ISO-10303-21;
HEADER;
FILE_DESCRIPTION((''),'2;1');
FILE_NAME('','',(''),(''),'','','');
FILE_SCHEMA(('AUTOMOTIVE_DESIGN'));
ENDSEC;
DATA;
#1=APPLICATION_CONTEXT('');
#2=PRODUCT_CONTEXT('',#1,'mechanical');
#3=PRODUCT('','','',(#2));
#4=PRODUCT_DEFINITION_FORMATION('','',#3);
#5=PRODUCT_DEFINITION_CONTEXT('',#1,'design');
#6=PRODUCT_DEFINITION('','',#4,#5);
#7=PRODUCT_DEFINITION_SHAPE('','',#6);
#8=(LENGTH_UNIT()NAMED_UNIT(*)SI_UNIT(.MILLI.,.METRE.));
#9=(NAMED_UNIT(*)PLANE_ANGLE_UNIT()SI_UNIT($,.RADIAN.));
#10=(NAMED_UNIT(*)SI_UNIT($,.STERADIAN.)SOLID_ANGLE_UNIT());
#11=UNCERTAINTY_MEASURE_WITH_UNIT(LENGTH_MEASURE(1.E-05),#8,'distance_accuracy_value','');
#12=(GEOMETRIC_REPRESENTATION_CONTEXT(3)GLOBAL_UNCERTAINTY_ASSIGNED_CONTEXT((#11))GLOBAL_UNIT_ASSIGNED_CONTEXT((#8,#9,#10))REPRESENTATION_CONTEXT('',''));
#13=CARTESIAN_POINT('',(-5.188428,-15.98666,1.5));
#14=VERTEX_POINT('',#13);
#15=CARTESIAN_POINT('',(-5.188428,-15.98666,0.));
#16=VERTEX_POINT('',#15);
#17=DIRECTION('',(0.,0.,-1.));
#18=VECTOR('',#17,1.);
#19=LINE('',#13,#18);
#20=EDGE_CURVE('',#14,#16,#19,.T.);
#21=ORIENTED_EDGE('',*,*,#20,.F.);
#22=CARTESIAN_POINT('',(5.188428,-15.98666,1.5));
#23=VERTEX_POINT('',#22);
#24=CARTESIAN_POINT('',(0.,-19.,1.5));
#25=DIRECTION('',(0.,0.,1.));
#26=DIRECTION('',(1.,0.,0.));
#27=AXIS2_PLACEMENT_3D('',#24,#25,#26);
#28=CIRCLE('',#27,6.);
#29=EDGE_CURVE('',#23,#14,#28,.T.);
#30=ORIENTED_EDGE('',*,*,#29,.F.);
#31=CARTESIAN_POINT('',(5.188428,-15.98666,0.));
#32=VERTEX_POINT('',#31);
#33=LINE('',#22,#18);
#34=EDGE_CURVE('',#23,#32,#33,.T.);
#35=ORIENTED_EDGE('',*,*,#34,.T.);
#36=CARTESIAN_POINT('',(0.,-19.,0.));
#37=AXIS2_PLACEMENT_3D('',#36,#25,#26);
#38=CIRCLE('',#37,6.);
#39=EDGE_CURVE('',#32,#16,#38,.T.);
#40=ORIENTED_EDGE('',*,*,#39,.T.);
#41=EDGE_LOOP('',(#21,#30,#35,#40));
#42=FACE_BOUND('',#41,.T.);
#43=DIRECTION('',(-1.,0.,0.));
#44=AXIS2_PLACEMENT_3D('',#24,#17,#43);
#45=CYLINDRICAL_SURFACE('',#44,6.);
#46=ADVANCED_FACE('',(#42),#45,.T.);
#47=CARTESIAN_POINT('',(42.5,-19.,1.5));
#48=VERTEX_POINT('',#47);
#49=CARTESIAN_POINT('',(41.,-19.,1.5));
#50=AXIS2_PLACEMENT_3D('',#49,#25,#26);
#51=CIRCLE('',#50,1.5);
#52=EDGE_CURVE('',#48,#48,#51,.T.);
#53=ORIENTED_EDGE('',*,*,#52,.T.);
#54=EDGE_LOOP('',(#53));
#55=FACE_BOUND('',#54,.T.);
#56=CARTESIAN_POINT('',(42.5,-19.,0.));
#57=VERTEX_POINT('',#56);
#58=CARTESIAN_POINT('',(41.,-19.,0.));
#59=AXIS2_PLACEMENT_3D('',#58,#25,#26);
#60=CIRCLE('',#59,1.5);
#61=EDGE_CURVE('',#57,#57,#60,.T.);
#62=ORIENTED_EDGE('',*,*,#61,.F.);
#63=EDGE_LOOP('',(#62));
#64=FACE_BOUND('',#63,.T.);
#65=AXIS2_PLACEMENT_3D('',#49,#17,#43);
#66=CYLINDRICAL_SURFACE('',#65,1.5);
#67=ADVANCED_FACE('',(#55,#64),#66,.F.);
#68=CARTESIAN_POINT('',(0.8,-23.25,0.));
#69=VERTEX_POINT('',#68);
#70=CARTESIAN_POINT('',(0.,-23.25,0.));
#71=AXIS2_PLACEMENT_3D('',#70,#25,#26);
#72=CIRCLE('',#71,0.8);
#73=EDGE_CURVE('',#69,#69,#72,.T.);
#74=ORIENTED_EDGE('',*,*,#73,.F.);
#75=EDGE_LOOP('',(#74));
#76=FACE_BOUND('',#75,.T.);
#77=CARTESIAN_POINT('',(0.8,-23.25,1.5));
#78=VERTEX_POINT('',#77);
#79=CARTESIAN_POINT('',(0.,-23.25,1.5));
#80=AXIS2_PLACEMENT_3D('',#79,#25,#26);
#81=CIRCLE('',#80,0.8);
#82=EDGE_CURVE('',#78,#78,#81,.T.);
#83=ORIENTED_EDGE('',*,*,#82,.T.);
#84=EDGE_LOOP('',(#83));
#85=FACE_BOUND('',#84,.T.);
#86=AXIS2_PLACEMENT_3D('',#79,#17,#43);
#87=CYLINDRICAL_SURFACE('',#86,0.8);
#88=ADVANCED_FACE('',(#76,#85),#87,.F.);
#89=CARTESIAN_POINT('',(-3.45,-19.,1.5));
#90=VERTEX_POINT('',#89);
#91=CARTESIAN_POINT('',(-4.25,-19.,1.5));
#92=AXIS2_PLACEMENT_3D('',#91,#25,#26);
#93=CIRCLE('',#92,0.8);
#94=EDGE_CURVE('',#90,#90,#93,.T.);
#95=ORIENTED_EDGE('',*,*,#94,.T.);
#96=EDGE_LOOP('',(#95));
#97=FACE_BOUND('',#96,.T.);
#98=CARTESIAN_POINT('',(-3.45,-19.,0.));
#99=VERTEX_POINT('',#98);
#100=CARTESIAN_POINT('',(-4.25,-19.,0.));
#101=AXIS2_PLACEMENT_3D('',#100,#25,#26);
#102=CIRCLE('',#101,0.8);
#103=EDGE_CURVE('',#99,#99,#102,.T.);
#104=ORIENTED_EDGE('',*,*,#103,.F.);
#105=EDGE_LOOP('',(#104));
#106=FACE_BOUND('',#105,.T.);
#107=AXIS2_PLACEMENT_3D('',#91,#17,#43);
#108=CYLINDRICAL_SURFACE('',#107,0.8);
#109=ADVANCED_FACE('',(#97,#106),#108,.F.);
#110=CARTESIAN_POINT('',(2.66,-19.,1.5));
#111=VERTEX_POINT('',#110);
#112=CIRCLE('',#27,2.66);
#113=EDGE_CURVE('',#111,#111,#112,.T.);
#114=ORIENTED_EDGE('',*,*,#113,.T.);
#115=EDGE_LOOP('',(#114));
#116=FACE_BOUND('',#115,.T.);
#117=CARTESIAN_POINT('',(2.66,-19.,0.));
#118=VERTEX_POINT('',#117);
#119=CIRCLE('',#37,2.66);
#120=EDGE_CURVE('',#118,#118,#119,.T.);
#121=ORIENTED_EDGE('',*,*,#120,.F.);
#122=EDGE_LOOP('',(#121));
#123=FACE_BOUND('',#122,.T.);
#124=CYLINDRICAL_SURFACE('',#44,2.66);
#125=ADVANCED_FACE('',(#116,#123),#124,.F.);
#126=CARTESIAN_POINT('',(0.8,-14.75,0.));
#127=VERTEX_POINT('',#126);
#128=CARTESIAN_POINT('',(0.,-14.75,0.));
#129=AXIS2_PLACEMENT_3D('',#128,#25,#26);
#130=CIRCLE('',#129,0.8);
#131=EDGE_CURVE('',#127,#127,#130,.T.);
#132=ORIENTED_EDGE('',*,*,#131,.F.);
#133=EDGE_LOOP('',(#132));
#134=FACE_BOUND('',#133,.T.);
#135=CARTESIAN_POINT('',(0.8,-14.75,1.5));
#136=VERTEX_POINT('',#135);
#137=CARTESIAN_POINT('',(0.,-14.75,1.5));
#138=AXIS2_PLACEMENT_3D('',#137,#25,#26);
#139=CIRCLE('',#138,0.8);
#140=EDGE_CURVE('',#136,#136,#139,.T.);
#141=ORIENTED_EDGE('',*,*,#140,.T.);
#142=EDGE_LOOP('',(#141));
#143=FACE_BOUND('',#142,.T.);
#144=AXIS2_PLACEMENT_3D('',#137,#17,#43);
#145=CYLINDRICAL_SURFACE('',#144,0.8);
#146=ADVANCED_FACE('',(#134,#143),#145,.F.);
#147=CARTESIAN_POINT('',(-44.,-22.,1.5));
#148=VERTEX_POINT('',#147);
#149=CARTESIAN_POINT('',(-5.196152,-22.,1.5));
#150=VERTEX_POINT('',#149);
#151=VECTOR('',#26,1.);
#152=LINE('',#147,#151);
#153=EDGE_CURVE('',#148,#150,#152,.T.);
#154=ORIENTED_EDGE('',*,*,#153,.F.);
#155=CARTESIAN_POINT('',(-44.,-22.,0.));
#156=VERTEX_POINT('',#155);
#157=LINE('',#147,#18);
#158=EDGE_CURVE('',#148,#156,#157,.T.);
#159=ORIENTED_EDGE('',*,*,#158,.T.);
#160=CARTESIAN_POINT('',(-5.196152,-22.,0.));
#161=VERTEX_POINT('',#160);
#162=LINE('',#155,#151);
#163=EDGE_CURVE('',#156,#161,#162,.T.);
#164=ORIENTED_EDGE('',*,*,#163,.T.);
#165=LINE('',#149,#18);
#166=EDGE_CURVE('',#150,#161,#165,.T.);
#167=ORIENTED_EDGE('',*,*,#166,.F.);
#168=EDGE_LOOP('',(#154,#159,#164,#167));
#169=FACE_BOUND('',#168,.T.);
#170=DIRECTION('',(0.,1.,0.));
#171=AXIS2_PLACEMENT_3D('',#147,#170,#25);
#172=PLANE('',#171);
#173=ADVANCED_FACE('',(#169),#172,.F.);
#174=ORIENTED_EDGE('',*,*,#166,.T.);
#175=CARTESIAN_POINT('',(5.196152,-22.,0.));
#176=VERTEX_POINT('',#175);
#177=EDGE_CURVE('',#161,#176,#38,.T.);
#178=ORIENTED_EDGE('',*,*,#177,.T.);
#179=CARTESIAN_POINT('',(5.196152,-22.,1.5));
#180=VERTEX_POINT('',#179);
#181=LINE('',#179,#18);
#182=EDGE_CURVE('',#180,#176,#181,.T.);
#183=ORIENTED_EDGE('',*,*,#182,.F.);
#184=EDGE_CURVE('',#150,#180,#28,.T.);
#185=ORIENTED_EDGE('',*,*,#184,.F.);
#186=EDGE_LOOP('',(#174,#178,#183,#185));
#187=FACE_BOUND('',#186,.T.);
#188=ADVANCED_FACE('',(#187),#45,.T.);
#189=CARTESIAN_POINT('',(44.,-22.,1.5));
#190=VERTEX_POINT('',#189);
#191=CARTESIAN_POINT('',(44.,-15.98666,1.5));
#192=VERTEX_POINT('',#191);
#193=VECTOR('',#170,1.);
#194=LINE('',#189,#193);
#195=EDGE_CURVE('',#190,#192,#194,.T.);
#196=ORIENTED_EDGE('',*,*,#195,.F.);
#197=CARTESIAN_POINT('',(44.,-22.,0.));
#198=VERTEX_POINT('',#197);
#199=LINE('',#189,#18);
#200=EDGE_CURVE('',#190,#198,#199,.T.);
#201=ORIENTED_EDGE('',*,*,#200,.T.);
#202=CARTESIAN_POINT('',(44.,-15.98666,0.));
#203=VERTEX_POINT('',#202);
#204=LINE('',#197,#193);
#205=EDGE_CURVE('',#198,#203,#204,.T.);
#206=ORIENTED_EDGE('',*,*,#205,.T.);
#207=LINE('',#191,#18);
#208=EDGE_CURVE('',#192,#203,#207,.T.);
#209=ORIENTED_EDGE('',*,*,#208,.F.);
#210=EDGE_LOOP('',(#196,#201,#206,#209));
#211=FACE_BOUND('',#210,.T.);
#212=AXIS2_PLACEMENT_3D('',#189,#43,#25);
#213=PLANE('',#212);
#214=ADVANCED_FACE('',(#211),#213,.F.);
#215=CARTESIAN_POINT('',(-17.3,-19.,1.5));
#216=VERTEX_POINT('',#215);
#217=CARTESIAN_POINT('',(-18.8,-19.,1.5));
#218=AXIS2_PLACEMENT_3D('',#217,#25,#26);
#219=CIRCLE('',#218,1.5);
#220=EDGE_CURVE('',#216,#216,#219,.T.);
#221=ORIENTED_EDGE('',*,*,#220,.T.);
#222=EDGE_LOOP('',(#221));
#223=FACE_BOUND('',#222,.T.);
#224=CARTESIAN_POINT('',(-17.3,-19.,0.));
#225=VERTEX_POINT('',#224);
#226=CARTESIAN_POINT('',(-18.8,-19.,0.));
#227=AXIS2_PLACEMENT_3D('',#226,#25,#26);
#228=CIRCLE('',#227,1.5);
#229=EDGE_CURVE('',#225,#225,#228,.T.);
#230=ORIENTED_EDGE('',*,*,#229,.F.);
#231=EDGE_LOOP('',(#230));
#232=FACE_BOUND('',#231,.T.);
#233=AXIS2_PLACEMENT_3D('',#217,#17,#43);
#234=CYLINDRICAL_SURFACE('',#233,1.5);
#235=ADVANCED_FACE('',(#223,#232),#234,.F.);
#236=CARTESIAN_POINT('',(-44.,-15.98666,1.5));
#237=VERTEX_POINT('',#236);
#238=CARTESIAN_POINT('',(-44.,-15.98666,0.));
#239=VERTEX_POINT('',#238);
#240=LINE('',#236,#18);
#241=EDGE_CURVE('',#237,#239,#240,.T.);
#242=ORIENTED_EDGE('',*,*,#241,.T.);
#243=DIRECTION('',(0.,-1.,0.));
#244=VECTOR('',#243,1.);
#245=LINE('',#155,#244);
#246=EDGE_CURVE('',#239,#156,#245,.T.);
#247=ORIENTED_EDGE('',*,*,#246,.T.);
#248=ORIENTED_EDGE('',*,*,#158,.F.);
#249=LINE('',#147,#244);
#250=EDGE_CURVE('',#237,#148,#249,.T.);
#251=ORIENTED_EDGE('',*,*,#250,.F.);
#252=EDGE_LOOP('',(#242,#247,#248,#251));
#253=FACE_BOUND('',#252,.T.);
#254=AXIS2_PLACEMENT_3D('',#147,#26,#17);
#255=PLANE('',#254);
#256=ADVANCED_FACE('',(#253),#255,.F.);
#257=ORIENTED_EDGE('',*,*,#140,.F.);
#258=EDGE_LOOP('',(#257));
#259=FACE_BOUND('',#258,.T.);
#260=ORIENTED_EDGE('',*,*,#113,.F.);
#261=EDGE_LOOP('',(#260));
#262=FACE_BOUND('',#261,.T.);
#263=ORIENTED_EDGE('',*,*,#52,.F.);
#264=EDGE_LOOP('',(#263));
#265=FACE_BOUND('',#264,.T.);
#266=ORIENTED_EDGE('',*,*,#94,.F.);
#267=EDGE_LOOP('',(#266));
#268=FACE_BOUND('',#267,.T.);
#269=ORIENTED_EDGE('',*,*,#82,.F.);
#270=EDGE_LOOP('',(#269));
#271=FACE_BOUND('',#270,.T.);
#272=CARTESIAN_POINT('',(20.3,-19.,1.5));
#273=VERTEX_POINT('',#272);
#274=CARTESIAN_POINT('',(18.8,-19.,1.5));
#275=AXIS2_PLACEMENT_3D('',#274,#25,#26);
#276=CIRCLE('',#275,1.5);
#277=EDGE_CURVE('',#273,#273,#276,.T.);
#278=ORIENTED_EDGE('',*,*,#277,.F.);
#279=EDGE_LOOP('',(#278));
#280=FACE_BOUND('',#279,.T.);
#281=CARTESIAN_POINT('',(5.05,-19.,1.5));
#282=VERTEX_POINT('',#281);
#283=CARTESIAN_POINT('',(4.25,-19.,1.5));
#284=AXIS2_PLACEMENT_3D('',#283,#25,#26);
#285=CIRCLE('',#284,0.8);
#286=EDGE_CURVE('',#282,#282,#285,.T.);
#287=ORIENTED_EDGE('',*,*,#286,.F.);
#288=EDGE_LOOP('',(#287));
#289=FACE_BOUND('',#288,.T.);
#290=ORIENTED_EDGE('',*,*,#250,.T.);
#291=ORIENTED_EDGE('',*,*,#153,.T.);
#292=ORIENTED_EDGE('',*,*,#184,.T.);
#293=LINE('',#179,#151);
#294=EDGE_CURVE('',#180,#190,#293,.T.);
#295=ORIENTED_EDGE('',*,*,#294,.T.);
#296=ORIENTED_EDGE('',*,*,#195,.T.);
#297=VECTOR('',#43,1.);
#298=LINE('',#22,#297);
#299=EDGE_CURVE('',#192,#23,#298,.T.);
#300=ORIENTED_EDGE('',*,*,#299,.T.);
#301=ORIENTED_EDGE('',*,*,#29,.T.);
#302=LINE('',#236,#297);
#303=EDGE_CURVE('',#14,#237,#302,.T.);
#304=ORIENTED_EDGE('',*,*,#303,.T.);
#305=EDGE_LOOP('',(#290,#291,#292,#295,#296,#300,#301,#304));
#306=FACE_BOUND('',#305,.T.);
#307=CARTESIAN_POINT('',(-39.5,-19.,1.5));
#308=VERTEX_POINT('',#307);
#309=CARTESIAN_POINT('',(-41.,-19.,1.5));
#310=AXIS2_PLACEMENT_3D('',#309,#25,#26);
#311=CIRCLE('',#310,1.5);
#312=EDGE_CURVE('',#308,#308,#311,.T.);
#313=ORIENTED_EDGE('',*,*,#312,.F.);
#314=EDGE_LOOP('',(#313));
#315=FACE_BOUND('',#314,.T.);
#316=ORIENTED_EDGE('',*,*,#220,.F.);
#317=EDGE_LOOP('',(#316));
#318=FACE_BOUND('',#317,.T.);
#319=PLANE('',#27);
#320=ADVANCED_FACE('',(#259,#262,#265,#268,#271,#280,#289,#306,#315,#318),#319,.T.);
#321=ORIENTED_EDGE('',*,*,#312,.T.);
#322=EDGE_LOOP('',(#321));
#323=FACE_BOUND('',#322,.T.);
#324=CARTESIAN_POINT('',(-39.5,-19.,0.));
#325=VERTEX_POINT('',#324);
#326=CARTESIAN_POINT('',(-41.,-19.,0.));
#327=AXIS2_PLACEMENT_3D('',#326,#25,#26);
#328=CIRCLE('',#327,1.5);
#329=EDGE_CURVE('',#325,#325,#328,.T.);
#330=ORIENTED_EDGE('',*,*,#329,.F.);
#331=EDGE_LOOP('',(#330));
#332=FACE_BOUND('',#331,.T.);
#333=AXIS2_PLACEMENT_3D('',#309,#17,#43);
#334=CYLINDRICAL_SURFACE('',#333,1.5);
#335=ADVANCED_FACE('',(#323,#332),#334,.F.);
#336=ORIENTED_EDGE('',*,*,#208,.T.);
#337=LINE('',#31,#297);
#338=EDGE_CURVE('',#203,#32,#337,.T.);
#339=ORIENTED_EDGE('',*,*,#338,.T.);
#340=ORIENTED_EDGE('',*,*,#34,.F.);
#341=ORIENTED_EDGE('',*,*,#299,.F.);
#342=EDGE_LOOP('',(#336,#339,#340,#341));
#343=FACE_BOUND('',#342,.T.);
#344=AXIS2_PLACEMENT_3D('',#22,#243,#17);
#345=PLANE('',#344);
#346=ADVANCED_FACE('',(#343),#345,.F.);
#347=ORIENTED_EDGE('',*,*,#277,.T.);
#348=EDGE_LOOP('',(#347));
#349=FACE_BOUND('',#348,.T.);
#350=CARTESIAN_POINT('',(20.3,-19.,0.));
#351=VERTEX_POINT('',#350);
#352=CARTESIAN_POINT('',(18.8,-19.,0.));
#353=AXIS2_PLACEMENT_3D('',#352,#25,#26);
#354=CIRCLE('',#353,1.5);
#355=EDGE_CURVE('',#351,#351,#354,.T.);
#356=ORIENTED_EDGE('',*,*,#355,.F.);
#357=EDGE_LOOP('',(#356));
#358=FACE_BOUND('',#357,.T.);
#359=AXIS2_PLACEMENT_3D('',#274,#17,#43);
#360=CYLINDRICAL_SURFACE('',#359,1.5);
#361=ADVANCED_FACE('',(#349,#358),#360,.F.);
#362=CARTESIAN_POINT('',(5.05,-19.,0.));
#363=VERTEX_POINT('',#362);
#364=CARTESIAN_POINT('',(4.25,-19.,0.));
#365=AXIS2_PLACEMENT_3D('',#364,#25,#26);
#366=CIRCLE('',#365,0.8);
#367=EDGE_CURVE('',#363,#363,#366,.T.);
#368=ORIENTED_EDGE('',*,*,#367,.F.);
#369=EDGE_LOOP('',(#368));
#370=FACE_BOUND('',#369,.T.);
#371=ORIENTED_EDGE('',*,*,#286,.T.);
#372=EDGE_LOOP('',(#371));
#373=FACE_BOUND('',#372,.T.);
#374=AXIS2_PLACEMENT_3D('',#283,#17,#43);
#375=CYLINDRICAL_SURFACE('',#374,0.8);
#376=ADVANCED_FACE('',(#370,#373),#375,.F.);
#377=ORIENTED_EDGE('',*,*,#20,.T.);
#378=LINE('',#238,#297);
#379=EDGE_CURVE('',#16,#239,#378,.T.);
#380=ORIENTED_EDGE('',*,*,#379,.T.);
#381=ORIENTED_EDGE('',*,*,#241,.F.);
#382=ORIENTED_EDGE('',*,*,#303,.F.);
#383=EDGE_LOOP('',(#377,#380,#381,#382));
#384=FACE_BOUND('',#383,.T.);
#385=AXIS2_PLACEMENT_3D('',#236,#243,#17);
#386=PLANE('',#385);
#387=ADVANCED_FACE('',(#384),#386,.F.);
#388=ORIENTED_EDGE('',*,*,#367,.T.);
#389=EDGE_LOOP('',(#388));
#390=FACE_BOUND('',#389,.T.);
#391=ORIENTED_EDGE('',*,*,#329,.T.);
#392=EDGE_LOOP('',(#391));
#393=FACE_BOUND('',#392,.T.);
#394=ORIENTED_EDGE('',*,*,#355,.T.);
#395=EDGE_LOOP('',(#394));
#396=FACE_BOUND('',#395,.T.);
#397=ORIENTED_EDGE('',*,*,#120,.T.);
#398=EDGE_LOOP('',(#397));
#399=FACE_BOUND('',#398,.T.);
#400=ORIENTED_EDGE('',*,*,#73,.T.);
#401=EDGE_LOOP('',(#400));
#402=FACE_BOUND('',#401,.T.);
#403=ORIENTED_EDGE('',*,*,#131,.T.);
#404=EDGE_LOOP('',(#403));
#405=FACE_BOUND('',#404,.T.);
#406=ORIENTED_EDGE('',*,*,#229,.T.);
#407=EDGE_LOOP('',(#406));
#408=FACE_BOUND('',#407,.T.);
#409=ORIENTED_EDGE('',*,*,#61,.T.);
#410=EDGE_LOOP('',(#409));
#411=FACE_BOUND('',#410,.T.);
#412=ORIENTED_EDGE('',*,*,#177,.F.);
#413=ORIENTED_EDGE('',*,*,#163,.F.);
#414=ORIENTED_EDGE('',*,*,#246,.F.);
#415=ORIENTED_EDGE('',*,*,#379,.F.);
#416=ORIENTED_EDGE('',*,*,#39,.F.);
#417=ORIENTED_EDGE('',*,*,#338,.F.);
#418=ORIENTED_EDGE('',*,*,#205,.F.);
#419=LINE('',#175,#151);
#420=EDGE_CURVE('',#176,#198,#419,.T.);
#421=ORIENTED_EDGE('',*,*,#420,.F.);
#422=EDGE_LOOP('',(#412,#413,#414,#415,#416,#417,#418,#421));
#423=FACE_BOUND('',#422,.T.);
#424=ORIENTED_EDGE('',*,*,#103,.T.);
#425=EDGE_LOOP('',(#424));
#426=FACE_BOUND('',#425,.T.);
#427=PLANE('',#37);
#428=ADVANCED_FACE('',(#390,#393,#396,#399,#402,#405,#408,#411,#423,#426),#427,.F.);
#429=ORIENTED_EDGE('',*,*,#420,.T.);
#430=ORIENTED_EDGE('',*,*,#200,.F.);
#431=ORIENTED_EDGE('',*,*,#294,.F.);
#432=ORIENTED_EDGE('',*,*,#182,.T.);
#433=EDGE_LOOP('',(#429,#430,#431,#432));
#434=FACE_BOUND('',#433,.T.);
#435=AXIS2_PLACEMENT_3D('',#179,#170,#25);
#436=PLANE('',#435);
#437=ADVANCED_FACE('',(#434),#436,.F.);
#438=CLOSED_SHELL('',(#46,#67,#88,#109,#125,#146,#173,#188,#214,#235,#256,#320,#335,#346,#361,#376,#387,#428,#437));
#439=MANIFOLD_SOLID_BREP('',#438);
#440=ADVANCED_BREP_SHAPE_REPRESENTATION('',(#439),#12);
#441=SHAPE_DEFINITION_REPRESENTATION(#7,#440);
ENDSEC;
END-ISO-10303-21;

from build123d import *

# Parameters (mm, degrees)
SKETCH_2_R      = 1.5
SKETCH_2_R_2    = 0.8
SKETCH_2_R_3    = 2.66
EXTRUDE_1_DEPTH = 1.5


with BuildPart() as part:
    # 草图2 → 凸台-拉伸1 (new body)
    with BuildSketch(Plane.XY):
        with BuildLine():
            Line((5.188427748, -15.986660076), (44, -15.986660076))
            Line((44, -15.986660076), (44, -22))
            Line((44, -22), (5.196152423, -22))
            ThreePointArc((5.196152423, -22), (0, -25), (-5.196152423, -22))
            Line((-5.196152423, -22), (-44, -22))
            Line((-44, -22), (-44, -15.986660076))
            Line((-44, -15.986660076), (-5.188427748, -15.986660076))
            ThreePointArc((-5.188427748, -15.986660076), (0, -13), (5.188427748, -15.986660076))
        make_face()
        with Locations((41, -19)):
            Circle(SKETCH_2_R, mode=Mode.SUBTRACT)
        with Locations((-41, -19)):
            Circle(SKETCH_2_R, mode=Mode.SUBTRACT)
        with Locations((4.25, -19)):
            Circle(SKETCH_2_R_2, mode=Mode.SUBTRACT)
        with Locations((-4.25, -19)):
            Circle(SKETCH_2_R_2, mode=Mode.SUBTRACT)
        with Locations((0, -14.75)):
            Circle(SKETCH_2_R_2, mode=Mode.SUBTRACT)
        with Locations((0, -23.25)):
            Circle(SKETCH_2_R_2, mode=Mode.SUBTRACT)
        with Locations((0, -19)):
            Circle(SKETCH_2_R_3, mode=Mode.SUBTRACT)
        with Locations((-18.8, -19)):
            Circle(SKETCH_2_R, mode=Mode.SUBTRACT)
        with Locations((18.8, -19)):
            Circle(SKETCH_2_R, mode=Mode.SUBTRACT)
    extrude(amount=EXTRUDE_1_DEPTH)


solid = part.part
